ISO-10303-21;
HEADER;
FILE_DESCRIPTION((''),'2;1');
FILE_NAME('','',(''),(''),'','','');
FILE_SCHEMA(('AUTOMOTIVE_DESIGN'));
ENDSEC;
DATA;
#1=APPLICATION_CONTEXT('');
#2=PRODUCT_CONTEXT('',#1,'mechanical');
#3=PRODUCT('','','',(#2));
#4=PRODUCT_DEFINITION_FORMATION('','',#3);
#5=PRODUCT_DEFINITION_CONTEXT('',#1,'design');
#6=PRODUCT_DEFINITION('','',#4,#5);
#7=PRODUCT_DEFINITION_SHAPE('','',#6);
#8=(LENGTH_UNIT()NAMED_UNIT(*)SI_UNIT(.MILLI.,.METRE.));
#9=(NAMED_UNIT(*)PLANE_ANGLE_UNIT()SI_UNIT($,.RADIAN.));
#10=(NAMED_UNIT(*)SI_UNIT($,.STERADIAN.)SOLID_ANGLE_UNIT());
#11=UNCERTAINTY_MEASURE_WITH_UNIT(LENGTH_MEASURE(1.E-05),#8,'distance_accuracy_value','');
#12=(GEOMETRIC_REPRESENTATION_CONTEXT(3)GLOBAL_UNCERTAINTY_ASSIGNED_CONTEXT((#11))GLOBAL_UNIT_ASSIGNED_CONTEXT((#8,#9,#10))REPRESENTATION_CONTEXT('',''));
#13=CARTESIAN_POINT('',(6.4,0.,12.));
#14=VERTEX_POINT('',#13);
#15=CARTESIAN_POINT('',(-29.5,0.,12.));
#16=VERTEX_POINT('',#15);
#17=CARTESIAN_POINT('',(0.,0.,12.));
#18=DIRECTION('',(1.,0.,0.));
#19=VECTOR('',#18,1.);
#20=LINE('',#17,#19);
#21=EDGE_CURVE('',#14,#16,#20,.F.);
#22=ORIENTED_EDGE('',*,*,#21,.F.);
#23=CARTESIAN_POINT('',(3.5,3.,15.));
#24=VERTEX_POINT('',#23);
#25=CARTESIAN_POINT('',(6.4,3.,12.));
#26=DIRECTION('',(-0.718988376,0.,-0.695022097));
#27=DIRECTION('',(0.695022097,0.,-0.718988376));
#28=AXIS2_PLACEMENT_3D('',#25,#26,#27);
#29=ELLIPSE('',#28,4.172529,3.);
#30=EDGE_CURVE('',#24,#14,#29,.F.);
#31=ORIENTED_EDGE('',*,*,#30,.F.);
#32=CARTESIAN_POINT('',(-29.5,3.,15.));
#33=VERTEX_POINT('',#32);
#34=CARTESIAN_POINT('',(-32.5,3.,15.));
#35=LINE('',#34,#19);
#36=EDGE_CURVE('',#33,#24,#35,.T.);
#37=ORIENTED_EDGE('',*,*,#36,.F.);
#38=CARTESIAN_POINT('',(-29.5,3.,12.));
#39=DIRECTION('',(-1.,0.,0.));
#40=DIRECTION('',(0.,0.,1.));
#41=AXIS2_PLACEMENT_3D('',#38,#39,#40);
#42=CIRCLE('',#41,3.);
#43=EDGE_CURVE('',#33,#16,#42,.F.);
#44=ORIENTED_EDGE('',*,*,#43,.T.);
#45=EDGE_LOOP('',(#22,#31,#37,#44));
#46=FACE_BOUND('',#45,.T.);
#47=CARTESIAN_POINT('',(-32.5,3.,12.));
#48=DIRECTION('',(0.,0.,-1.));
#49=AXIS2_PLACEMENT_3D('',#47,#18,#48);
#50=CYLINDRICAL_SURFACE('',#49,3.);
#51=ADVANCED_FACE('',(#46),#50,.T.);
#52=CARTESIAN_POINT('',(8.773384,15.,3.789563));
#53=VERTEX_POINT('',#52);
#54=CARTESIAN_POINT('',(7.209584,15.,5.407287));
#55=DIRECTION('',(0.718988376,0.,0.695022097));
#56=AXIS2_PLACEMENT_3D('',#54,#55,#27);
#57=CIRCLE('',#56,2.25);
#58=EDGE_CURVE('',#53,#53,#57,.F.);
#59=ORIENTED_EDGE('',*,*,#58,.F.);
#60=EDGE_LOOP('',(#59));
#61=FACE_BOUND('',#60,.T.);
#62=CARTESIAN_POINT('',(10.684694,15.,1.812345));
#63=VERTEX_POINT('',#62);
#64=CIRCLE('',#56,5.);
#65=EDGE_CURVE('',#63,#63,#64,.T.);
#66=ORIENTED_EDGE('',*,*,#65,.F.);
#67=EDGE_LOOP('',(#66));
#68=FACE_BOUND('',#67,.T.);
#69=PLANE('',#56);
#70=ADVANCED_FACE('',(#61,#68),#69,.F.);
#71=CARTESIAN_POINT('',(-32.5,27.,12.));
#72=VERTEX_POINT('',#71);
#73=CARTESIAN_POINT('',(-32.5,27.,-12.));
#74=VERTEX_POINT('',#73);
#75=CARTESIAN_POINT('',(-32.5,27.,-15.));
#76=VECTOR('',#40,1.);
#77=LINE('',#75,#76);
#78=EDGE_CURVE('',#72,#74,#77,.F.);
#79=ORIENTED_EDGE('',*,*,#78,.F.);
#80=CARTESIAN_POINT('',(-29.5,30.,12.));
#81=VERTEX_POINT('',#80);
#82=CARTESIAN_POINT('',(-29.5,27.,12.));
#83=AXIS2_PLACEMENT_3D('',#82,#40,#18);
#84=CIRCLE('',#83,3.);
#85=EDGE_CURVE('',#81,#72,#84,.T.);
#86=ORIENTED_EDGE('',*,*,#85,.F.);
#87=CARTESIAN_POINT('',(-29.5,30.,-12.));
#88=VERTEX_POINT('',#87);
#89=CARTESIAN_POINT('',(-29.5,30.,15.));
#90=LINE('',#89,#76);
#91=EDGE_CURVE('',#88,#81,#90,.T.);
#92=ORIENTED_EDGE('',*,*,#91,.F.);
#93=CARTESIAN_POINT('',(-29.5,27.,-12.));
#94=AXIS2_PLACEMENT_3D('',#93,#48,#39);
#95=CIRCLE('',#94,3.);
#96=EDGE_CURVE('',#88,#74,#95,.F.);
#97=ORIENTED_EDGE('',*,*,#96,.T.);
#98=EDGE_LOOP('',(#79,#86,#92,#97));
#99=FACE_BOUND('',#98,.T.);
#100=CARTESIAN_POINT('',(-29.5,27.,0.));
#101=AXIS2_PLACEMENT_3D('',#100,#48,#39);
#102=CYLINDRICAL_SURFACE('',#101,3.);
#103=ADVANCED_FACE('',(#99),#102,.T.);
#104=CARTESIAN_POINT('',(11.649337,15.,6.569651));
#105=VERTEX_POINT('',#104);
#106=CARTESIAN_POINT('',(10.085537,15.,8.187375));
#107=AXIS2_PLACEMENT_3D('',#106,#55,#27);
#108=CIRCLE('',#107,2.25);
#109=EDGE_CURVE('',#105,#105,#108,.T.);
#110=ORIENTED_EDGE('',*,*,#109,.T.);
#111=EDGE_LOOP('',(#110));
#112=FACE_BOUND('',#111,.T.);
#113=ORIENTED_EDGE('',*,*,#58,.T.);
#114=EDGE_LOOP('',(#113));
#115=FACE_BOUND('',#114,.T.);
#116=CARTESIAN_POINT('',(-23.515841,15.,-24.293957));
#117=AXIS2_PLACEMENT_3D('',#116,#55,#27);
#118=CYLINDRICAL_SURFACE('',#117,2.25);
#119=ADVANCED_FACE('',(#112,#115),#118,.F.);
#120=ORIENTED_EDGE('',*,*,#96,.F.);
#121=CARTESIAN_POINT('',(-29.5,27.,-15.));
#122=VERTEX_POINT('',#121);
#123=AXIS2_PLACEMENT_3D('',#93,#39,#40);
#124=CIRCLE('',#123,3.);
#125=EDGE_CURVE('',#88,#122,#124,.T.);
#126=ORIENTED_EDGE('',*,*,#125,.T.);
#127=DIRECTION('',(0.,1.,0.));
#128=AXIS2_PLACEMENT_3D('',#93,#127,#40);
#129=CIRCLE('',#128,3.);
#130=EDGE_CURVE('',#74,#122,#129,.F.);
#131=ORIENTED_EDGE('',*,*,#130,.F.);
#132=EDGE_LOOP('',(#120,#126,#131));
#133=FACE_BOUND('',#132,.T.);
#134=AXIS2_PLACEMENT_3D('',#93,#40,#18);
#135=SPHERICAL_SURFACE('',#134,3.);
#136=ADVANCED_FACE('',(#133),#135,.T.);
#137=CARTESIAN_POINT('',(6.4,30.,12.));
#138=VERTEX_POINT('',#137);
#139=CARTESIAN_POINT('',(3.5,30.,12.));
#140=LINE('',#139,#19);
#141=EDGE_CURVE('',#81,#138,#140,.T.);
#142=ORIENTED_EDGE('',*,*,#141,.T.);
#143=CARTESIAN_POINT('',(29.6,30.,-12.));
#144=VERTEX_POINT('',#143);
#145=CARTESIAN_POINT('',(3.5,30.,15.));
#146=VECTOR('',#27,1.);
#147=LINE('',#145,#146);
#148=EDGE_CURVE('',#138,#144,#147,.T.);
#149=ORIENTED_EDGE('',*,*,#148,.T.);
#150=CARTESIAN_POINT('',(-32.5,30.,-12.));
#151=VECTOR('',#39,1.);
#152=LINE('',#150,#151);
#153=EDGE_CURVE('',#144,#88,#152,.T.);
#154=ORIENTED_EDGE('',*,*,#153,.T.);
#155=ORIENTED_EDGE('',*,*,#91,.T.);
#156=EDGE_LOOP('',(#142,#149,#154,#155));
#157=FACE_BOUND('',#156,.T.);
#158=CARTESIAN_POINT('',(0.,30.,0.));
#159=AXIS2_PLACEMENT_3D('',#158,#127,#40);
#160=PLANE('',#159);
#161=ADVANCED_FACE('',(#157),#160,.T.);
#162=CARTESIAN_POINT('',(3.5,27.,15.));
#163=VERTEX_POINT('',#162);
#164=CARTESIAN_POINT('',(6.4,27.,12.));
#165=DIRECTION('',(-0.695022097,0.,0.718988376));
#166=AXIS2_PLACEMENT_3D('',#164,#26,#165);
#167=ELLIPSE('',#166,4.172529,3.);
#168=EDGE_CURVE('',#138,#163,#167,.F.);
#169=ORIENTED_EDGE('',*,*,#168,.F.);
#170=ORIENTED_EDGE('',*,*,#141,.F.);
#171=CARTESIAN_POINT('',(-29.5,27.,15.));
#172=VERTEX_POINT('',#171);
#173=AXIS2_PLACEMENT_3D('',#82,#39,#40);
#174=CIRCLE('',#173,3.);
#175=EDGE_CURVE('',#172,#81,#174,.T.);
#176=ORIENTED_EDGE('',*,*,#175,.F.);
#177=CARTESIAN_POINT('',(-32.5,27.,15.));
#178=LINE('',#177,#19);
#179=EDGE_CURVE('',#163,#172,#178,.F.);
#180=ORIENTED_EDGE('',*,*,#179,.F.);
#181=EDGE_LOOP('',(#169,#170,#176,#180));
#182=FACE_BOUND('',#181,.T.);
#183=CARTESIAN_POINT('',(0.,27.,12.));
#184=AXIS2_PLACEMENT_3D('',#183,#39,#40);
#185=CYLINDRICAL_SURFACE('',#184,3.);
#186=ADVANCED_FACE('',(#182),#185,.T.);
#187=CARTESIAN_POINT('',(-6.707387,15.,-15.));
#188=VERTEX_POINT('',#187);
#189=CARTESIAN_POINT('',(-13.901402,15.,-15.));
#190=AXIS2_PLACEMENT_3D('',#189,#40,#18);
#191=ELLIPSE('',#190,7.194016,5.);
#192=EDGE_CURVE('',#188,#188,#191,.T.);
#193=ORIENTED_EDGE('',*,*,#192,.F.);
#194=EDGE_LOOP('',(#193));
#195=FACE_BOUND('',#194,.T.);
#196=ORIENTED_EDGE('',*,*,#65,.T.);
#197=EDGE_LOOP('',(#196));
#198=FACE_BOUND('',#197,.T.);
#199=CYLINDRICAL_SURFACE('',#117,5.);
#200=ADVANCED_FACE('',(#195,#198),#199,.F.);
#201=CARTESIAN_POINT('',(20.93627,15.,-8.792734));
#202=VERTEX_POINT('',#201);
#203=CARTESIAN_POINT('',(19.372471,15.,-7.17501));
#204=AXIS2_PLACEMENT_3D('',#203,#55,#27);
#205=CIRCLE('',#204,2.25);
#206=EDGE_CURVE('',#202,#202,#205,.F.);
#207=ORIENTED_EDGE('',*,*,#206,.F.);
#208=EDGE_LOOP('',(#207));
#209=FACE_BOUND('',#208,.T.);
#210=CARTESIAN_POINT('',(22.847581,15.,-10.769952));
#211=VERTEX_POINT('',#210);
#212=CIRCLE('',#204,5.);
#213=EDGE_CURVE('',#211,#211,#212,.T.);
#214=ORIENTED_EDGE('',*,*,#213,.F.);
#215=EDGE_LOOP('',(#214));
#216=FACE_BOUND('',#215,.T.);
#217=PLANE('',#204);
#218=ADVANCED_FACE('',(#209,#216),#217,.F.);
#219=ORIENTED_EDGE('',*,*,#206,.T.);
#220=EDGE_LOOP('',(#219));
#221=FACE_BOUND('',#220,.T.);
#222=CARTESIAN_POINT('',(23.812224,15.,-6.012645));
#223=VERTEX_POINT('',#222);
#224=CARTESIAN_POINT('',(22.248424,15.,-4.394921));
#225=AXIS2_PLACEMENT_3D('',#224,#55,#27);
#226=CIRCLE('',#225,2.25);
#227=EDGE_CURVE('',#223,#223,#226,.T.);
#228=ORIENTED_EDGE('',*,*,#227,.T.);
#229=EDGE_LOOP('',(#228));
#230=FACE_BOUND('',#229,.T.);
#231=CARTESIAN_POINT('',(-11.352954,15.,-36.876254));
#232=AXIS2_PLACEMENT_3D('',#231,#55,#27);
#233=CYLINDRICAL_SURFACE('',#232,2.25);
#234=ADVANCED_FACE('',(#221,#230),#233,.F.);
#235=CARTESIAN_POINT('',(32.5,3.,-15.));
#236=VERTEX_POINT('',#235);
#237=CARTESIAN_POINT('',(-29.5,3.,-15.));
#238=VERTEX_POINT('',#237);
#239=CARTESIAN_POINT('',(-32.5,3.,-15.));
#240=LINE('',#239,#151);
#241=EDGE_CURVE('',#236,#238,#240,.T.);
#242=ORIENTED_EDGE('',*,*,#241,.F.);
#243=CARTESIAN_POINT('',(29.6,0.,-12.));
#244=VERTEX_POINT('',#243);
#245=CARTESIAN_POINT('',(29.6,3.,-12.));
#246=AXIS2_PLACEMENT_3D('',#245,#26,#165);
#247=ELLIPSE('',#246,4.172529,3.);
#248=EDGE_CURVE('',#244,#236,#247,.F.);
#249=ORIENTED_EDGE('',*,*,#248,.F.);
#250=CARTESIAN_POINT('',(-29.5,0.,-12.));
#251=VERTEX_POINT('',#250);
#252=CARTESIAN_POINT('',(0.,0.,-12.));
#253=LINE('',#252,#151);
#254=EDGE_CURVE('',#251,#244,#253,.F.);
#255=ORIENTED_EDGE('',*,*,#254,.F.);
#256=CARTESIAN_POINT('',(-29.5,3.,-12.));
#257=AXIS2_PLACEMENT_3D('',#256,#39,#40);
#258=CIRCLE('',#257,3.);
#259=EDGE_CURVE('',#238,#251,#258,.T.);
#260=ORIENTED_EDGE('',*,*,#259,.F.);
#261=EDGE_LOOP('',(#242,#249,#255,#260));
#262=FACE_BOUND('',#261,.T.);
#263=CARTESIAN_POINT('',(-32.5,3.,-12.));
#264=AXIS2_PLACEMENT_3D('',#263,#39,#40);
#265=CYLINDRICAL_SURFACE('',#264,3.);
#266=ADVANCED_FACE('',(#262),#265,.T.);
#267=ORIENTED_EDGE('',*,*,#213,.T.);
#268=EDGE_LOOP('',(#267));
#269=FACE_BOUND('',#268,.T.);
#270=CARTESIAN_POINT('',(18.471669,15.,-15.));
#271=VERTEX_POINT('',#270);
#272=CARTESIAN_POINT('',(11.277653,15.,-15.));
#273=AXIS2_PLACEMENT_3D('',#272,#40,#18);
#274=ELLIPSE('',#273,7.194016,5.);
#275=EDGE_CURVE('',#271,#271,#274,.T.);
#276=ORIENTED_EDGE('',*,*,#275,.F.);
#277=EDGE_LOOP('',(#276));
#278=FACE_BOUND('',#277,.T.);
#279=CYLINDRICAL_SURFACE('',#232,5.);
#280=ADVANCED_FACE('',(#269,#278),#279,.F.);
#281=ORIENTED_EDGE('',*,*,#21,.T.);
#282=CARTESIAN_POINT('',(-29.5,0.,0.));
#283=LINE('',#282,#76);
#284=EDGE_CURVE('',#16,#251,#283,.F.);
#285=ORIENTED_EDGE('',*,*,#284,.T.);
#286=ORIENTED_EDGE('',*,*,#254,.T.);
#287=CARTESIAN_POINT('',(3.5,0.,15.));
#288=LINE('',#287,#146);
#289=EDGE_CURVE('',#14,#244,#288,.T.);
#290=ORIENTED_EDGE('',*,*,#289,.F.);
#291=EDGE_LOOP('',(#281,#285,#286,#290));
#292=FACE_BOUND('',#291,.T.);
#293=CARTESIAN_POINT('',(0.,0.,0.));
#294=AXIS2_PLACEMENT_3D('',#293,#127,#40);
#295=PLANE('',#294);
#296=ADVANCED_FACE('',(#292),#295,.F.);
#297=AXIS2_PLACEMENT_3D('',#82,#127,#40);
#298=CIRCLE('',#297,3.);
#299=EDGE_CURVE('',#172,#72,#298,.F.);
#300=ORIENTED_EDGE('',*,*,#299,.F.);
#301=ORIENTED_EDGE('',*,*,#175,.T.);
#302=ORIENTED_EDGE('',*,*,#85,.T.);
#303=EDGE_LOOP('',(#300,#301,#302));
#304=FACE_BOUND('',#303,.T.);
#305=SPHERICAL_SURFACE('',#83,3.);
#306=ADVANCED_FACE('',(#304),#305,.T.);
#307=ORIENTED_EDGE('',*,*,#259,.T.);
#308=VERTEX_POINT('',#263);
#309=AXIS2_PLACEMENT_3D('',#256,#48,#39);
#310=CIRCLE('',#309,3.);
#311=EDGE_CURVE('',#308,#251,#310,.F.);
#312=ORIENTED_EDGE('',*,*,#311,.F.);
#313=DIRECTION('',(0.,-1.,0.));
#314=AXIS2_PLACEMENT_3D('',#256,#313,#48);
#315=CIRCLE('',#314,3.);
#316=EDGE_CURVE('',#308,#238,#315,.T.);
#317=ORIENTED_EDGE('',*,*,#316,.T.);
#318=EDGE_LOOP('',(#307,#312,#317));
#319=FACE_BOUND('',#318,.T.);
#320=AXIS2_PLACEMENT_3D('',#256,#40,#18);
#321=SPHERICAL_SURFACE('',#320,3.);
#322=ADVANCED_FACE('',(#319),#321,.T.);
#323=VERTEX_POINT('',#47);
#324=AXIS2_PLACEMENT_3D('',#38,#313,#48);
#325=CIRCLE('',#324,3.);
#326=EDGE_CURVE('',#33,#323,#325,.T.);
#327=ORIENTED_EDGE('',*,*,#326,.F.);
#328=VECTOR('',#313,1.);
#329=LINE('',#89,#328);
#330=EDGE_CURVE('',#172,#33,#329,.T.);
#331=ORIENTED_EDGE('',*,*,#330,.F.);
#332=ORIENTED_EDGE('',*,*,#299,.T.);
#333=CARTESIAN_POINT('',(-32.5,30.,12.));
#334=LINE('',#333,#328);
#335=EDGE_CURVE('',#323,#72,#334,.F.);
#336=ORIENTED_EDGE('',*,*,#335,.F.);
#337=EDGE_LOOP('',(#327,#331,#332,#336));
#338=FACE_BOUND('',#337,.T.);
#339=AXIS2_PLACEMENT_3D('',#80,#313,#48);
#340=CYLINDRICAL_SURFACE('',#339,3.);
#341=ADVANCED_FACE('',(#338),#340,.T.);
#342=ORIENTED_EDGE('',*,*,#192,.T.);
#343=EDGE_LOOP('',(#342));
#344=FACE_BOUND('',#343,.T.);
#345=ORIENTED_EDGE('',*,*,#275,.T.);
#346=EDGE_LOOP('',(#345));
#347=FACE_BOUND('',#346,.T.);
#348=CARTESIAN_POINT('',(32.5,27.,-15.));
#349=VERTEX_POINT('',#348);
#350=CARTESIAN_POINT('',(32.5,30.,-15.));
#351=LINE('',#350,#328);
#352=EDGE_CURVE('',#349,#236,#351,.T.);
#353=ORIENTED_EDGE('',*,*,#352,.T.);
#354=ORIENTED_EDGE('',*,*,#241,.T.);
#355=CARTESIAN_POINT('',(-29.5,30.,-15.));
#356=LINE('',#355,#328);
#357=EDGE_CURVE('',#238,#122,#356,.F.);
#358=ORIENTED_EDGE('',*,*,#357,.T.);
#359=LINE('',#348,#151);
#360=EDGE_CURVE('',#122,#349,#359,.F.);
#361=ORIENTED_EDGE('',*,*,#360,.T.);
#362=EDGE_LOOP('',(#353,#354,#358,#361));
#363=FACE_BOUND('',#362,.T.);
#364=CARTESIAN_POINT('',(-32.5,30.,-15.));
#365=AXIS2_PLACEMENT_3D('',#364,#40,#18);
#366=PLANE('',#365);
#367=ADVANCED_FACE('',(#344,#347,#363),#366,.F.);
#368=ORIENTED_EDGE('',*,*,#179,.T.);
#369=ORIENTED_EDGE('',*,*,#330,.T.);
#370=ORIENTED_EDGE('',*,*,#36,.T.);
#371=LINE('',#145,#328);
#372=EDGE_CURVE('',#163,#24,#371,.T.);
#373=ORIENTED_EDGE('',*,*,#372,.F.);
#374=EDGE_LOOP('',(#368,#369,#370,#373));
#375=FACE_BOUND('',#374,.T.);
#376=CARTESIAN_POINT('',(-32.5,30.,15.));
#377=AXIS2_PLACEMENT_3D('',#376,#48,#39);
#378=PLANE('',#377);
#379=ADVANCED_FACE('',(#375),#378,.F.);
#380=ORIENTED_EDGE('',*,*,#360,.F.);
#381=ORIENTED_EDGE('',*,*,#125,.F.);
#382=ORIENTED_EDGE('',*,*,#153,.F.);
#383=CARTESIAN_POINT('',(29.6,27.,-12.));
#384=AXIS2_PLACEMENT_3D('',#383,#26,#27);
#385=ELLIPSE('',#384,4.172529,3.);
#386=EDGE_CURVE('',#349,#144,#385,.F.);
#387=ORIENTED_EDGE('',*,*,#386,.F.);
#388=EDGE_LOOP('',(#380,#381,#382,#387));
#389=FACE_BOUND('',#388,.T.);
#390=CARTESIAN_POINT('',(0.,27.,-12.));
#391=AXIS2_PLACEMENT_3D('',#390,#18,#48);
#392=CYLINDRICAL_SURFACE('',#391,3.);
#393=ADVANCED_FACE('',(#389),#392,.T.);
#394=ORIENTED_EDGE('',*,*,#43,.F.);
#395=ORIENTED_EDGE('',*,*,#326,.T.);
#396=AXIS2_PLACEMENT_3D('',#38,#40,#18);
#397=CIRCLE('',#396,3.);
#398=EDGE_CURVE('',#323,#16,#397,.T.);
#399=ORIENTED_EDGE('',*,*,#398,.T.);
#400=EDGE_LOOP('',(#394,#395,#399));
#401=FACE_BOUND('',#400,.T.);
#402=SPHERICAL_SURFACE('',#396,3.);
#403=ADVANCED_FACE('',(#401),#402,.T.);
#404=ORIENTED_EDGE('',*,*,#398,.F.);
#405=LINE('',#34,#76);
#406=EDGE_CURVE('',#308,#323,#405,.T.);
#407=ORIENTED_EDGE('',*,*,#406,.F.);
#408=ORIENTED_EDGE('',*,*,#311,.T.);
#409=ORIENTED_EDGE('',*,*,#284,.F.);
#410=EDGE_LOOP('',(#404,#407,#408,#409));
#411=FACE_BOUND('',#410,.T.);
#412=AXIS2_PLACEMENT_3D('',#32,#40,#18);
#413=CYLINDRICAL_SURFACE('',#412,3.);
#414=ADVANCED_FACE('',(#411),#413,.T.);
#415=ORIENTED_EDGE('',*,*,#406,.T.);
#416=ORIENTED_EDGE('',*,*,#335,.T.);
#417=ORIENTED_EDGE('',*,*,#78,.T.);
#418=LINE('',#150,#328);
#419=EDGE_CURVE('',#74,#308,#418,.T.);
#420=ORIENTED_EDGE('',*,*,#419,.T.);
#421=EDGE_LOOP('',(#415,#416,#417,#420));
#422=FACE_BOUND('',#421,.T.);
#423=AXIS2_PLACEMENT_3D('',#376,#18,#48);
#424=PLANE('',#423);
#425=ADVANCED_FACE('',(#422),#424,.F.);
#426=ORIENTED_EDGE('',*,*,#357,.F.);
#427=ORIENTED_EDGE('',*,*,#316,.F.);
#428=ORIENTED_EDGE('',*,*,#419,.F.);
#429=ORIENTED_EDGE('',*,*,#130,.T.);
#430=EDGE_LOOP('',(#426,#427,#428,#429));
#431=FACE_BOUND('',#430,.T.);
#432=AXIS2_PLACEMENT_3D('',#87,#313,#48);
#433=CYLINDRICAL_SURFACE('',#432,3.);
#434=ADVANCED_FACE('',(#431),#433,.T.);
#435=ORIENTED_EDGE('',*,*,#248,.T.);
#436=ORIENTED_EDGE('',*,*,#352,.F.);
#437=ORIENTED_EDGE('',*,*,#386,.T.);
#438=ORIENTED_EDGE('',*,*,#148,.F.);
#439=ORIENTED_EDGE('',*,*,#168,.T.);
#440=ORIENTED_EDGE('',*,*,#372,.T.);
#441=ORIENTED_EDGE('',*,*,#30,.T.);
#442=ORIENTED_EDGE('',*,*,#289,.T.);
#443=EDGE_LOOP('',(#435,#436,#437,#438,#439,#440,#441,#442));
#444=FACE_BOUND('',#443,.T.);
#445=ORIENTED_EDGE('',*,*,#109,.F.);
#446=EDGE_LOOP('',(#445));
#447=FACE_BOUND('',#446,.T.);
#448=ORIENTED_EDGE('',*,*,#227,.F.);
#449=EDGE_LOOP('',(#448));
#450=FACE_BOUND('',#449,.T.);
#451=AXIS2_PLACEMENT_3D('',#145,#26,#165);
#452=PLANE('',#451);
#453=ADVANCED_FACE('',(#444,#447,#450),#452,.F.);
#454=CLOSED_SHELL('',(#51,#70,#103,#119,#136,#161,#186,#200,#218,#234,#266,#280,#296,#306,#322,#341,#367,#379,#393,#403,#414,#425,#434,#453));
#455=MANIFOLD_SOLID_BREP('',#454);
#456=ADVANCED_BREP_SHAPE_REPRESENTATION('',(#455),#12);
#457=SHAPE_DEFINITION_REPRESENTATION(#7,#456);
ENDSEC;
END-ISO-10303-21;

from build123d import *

# Parameters (mm, degrees)
BOSS_EXTRUDE1_DEPTH = 30
SKETCH2_R           = 2.25
CUT_EXTRUDE1_DEPTH  = 57.77507973
SKETCH3_R           = 5
CUT_EXTRUDE2_DEPTH  = 54.530698882
FILLET1_R           = 3


with BuildPart() as part:
    # Sketch1 → Boss-Extrude1 (new body)
    with BuildSketch(Plane(origin=(0, 0, 0), x_dir=(1, 0, 0), z_dir=(0, 1, 0))):
        Polygon((3.5, -15), (32.5, 15), (-32.5, 15), (-32.5, -15), align=None)
    extrude(amount=BOSS_EXTRUDE1_DEPTH)

    # Sketch2 → Cut-Extrude1 (cut, through all)
    with BuildSketch(Plane(origin=(9.304997128, 0, 8.994830557), x_dir=(0.6950220968474751, 0, -0.7189883760491118), z_dir=(0.7189883760491118, 0, 0.6950220968474751))):
        with Locations((18.623043788, 15)):
            Circle(SKETCH2_R)
        with Locations((1.123043788, 15)):
            Circle(SKETCH2_R)
    extrude(amount=-CUT_EXTRUDE1_DEPTH, mode=Mode.SUBTRACT)

    # Sketch3 → Cut-Extrude2 (cut, through all)
    with BuildSketch(Plane(origin=(6.429043624, 0, 6.21474217), x_dir=(0.6950220968474751, 0, -0.7189883760491118), z_dir=(0.7189883760491118, 0, 0.6950220968474751))):
        with Locations((18.623043788, 15)):
            Circle(SKETCH3_R)
        with Locations((1.123043788, 15)):
            Circle(SKETCH3_R)
    extrude(amount=-CUT_EXTRUDE2_DEPTH, mode=Mode.SUBTRACT)

    # Fillet1
    fillet1_edges = [part.edges().sort_by_distance(p)[0] for p in [
        (-14.5, 30, 15),
        (0, 30, -15),
        (-14.5, 0, 15),
        (-32.5, 0, 0),
        (0, 0, -15),
        (-32.5, 30, 0),
        (-32.5, 15, 15),
        (-32.5, 15, -15),
    ]]
    fillet(fillet1_edges, radius=FILLET1_R)


solid = part.part
